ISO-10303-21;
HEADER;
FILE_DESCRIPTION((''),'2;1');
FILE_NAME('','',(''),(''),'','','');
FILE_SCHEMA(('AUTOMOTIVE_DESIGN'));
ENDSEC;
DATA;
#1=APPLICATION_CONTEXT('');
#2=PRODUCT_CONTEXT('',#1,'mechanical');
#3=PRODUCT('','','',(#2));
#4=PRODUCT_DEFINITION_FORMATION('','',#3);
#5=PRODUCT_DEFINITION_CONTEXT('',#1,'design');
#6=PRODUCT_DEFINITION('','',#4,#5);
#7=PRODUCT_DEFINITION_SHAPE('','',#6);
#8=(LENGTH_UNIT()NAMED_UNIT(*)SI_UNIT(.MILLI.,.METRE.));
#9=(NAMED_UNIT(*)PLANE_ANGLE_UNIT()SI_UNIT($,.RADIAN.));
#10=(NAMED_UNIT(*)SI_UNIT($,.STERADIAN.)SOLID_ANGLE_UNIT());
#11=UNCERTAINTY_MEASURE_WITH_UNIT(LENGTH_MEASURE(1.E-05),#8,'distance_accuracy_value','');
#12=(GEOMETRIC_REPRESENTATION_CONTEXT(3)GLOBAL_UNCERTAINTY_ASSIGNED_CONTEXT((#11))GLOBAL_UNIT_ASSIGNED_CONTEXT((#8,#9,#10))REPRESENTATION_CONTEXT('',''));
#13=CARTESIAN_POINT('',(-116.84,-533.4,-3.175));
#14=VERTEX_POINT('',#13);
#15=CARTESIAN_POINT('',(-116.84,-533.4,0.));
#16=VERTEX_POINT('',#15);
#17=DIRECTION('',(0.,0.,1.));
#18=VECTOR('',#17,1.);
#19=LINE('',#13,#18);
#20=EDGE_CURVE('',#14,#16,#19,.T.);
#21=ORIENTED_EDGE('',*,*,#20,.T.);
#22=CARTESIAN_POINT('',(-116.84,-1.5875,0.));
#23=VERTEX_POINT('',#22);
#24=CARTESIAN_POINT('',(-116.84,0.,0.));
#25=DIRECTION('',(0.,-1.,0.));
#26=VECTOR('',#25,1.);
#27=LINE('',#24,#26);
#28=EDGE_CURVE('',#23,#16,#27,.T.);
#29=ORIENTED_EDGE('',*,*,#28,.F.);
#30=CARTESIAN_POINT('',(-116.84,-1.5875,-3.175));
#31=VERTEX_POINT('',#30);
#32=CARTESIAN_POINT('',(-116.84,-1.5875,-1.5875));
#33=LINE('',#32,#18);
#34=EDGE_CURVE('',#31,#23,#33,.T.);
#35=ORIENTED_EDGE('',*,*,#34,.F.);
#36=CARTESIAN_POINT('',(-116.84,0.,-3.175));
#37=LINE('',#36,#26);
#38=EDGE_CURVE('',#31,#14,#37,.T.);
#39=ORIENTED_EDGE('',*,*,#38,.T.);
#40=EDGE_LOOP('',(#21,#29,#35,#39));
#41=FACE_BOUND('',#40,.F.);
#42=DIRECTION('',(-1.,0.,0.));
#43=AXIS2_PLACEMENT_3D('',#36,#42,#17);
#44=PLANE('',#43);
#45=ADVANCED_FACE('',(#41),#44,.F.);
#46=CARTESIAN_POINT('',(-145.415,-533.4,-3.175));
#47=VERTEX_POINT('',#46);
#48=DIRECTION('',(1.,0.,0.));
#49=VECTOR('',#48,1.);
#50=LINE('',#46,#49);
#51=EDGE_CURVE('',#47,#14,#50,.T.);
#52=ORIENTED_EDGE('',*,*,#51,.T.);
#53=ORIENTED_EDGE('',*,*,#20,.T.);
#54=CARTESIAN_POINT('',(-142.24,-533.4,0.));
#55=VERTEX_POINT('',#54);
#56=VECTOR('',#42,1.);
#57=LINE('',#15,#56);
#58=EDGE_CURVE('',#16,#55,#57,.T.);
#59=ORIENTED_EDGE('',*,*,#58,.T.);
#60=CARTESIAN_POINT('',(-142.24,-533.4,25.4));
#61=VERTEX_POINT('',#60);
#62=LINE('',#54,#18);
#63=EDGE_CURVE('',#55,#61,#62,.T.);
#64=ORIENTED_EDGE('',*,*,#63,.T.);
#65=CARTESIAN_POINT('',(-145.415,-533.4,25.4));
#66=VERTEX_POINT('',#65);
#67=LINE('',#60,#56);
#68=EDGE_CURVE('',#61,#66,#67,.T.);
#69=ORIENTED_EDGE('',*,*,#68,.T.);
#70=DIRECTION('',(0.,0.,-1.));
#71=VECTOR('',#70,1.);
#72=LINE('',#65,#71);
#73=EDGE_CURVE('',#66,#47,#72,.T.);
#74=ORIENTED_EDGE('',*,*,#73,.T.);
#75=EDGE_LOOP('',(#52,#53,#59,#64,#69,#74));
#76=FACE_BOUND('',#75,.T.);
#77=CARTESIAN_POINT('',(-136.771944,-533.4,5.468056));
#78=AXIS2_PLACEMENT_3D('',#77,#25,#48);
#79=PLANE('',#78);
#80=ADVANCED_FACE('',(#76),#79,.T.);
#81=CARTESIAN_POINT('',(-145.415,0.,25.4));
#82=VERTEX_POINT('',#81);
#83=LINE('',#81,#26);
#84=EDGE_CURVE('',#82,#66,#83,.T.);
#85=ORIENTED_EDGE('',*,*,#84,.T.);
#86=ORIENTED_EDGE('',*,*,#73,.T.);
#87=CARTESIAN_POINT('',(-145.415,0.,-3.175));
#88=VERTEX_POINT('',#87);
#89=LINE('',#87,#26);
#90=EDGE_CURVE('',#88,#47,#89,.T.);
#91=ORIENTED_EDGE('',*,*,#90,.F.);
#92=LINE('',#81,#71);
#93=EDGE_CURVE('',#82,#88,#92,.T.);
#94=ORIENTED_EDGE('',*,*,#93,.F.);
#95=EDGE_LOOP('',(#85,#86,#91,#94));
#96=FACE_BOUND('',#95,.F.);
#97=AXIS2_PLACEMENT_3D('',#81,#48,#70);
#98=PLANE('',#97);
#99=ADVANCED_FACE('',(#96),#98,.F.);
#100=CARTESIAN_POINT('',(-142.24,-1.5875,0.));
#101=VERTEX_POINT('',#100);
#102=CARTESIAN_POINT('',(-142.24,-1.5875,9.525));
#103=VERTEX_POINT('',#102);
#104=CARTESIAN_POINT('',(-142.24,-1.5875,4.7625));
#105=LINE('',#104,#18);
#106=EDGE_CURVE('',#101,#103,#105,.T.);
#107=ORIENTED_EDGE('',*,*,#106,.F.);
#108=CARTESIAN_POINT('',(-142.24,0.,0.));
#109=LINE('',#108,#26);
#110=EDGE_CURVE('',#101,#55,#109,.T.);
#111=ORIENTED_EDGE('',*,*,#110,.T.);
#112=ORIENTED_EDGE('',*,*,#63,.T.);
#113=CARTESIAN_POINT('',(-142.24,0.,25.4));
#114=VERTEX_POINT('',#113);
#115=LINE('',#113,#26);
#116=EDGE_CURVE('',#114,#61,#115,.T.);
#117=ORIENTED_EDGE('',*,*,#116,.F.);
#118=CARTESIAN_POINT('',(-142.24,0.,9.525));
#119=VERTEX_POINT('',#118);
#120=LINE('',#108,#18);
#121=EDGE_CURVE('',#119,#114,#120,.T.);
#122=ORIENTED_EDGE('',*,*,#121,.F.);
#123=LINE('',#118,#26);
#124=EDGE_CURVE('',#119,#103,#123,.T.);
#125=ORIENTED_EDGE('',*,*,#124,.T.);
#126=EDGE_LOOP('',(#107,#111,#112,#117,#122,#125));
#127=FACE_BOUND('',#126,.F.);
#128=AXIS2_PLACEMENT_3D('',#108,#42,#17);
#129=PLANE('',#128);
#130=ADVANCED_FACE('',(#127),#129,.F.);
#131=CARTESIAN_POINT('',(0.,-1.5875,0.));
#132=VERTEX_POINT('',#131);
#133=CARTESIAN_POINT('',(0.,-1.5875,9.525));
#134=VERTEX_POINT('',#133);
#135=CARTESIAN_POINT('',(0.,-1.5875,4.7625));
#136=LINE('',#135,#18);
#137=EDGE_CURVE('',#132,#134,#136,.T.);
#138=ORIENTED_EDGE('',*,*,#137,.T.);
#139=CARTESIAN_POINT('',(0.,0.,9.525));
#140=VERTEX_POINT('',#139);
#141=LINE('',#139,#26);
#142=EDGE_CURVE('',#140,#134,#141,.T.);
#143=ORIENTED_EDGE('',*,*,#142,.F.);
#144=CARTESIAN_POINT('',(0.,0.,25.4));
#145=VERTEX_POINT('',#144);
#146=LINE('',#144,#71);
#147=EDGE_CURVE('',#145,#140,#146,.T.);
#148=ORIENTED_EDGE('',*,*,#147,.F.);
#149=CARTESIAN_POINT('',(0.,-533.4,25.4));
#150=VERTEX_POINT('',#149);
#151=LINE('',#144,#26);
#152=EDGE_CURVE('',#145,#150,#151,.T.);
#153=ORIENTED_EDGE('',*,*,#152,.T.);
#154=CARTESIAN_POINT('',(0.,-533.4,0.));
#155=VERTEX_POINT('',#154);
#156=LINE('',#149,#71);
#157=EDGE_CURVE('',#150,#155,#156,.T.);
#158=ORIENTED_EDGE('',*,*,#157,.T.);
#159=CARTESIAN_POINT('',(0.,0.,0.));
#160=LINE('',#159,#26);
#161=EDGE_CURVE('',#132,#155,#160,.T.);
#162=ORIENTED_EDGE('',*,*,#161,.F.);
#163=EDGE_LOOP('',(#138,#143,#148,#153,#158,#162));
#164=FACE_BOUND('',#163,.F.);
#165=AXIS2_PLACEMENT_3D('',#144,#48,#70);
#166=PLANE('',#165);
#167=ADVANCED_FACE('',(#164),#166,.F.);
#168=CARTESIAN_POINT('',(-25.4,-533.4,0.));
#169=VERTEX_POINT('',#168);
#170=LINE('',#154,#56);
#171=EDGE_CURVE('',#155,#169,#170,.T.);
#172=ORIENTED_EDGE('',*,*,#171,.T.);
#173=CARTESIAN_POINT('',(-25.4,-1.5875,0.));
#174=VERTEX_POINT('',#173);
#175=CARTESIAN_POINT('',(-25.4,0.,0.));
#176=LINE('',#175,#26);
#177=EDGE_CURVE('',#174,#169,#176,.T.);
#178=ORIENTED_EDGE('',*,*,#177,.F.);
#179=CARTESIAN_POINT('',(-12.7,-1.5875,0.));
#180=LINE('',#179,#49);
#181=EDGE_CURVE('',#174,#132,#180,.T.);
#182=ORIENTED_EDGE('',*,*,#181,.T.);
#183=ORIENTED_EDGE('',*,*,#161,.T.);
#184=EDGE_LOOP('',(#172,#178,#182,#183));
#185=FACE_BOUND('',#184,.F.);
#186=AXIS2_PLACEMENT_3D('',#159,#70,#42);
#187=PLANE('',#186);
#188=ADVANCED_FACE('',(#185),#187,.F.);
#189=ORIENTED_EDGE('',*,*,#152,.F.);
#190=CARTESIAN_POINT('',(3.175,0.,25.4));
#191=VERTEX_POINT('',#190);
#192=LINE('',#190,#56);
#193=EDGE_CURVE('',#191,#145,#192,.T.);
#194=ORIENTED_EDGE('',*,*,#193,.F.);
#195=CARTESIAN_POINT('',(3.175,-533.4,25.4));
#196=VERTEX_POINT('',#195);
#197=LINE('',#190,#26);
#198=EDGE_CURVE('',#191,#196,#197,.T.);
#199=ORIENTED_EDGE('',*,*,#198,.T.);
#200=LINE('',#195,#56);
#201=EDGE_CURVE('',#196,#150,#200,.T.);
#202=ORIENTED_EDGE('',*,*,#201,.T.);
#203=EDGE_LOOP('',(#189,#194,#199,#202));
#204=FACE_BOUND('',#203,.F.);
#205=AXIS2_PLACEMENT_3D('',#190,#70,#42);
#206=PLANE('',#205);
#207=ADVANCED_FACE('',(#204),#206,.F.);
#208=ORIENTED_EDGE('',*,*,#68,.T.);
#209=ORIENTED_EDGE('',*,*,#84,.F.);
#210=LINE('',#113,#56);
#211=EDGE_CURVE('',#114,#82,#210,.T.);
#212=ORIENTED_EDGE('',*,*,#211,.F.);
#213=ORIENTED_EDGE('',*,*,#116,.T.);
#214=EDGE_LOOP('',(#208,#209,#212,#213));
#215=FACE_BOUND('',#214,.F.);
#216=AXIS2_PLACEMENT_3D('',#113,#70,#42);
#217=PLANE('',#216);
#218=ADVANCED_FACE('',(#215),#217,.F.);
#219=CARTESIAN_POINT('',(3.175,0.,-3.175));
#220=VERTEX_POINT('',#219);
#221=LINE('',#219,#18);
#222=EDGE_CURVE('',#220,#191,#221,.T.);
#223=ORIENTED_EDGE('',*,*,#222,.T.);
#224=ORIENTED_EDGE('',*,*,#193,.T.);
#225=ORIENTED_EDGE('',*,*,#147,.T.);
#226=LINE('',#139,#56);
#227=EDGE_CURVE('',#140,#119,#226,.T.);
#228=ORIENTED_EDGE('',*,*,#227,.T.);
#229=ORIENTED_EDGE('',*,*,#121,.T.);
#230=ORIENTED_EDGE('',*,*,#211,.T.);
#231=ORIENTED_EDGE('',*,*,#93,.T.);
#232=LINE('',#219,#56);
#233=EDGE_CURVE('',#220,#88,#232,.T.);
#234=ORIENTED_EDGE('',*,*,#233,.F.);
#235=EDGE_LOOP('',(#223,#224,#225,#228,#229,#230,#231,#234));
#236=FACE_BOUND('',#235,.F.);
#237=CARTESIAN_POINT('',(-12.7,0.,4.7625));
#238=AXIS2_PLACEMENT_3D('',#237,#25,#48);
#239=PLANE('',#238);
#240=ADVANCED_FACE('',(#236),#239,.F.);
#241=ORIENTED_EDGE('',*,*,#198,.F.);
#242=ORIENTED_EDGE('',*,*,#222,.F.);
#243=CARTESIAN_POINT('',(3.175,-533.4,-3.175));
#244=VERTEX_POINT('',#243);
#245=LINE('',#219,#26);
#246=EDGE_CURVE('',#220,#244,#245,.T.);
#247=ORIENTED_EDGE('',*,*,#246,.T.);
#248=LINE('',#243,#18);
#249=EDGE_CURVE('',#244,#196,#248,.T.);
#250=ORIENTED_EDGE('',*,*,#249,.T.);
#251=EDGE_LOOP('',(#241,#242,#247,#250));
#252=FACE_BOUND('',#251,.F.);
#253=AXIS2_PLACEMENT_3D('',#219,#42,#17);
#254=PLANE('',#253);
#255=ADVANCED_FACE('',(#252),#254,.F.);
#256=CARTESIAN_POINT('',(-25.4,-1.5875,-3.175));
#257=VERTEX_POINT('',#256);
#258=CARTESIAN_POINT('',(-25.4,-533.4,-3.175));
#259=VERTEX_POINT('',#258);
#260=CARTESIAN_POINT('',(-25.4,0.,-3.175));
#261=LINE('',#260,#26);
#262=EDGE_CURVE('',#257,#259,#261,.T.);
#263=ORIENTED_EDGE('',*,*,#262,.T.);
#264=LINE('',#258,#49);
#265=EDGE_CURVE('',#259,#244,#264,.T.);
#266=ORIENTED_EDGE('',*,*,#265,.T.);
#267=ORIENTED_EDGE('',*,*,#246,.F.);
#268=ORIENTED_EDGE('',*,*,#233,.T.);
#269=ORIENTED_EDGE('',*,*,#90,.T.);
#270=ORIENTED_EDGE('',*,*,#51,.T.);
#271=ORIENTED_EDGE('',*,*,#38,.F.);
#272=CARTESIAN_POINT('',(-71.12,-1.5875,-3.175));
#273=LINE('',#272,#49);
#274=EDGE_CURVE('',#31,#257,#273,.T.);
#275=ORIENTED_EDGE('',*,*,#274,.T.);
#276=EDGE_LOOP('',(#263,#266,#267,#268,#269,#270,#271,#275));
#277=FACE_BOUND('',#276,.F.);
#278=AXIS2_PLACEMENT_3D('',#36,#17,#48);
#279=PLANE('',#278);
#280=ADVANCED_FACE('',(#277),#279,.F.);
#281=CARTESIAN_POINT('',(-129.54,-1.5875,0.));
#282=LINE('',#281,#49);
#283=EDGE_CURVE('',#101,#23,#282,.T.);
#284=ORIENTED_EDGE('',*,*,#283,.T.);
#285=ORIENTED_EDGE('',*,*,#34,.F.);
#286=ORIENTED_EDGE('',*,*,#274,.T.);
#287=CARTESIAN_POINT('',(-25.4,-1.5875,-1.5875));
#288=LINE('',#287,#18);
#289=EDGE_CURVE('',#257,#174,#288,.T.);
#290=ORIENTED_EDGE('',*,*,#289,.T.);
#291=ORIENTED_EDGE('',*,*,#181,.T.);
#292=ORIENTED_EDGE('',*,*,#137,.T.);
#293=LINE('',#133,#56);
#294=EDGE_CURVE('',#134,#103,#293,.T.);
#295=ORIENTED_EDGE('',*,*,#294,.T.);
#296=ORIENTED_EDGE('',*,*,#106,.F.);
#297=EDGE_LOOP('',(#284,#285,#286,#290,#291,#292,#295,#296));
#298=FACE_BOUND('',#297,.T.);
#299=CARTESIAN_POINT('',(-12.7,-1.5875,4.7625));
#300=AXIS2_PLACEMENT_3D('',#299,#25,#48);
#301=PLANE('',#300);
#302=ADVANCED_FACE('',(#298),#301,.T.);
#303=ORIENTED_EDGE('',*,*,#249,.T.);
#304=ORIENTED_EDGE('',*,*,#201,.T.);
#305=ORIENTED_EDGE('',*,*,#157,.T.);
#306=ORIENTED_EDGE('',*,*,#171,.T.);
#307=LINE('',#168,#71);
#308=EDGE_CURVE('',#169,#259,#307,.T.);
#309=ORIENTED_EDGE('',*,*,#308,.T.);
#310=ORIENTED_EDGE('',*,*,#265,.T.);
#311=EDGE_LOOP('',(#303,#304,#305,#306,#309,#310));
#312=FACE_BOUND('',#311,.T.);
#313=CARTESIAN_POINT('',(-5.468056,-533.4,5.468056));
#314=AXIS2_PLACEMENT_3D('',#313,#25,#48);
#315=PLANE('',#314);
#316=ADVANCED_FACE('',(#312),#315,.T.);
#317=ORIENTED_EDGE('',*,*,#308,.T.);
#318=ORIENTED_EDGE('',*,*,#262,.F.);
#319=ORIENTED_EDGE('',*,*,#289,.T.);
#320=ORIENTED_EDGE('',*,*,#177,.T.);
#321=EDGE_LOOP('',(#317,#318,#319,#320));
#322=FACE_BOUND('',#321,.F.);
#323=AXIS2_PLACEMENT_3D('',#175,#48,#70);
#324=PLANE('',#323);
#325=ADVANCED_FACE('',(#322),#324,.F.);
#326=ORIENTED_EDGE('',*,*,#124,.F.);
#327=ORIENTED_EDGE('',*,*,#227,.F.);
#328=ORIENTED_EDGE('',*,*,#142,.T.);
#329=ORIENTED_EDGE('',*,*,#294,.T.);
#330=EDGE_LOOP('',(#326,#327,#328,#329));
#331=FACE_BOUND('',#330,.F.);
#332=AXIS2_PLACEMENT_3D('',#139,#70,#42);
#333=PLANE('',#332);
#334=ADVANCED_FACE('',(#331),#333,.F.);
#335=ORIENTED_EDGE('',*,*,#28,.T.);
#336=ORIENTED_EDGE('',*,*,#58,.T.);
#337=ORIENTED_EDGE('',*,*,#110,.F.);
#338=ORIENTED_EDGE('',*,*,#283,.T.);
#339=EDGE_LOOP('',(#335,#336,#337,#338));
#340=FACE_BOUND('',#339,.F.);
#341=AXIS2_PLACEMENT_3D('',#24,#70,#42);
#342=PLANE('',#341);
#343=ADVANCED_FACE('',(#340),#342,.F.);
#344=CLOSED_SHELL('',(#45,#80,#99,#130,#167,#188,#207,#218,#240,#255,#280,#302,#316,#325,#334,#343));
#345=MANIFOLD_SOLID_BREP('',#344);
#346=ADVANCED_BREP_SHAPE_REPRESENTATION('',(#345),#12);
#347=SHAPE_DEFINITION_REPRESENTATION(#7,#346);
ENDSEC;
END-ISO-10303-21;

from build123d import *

# Parameters (mm, degrees)
F1_DEPTH = 533.4
F0_W     = 25.4
F0_H     = 9.525
F0_W_2   = 91.44
F0_H_2   = 3.175
F2_DEPTH = 1.5875


with BuildPart() as f1:
    # F0 (on Front) → F1 (new body)
    with BuildSketch(Plane.XZ):
        Polygon((0, 9.525), (0, 0), (-25.4, 0), (-25.4, -3.175), (3.175, -3.175), (3.175, 9.525), (3.175, 25.4), (0, 25.4), align=None)
        Polygon((-116.84, -3.175), (-116.84, 0), (-142.24, 0), (-142.24, 9.525), (-142.24, 25.4), (-145.415, 25.4), (-145.415, 9.525), (-145.415, -3.175), align=None)
    extrude(amount=F1_DEPTH)

    # F0 (on Front) → F2 (join)
    with BuildSketch(Plane.XZ):
        with Locations((-12.7, 4.7625)):
            Rectangle(F0_W, F0_H)
        with Locations((-129.54, 4.7625)):
            Rectangle(F0_W, F0_H)
        with Locations((-71.12, -1.5875)):
            Rectangle(F0_W_2, F0_H_2)
        with Locations((-71.12, 4.7625)):
            Rectangle(F0_W_2, F0_H)
    extrude(amount=F2_DEPTH)


solid = f1.part
